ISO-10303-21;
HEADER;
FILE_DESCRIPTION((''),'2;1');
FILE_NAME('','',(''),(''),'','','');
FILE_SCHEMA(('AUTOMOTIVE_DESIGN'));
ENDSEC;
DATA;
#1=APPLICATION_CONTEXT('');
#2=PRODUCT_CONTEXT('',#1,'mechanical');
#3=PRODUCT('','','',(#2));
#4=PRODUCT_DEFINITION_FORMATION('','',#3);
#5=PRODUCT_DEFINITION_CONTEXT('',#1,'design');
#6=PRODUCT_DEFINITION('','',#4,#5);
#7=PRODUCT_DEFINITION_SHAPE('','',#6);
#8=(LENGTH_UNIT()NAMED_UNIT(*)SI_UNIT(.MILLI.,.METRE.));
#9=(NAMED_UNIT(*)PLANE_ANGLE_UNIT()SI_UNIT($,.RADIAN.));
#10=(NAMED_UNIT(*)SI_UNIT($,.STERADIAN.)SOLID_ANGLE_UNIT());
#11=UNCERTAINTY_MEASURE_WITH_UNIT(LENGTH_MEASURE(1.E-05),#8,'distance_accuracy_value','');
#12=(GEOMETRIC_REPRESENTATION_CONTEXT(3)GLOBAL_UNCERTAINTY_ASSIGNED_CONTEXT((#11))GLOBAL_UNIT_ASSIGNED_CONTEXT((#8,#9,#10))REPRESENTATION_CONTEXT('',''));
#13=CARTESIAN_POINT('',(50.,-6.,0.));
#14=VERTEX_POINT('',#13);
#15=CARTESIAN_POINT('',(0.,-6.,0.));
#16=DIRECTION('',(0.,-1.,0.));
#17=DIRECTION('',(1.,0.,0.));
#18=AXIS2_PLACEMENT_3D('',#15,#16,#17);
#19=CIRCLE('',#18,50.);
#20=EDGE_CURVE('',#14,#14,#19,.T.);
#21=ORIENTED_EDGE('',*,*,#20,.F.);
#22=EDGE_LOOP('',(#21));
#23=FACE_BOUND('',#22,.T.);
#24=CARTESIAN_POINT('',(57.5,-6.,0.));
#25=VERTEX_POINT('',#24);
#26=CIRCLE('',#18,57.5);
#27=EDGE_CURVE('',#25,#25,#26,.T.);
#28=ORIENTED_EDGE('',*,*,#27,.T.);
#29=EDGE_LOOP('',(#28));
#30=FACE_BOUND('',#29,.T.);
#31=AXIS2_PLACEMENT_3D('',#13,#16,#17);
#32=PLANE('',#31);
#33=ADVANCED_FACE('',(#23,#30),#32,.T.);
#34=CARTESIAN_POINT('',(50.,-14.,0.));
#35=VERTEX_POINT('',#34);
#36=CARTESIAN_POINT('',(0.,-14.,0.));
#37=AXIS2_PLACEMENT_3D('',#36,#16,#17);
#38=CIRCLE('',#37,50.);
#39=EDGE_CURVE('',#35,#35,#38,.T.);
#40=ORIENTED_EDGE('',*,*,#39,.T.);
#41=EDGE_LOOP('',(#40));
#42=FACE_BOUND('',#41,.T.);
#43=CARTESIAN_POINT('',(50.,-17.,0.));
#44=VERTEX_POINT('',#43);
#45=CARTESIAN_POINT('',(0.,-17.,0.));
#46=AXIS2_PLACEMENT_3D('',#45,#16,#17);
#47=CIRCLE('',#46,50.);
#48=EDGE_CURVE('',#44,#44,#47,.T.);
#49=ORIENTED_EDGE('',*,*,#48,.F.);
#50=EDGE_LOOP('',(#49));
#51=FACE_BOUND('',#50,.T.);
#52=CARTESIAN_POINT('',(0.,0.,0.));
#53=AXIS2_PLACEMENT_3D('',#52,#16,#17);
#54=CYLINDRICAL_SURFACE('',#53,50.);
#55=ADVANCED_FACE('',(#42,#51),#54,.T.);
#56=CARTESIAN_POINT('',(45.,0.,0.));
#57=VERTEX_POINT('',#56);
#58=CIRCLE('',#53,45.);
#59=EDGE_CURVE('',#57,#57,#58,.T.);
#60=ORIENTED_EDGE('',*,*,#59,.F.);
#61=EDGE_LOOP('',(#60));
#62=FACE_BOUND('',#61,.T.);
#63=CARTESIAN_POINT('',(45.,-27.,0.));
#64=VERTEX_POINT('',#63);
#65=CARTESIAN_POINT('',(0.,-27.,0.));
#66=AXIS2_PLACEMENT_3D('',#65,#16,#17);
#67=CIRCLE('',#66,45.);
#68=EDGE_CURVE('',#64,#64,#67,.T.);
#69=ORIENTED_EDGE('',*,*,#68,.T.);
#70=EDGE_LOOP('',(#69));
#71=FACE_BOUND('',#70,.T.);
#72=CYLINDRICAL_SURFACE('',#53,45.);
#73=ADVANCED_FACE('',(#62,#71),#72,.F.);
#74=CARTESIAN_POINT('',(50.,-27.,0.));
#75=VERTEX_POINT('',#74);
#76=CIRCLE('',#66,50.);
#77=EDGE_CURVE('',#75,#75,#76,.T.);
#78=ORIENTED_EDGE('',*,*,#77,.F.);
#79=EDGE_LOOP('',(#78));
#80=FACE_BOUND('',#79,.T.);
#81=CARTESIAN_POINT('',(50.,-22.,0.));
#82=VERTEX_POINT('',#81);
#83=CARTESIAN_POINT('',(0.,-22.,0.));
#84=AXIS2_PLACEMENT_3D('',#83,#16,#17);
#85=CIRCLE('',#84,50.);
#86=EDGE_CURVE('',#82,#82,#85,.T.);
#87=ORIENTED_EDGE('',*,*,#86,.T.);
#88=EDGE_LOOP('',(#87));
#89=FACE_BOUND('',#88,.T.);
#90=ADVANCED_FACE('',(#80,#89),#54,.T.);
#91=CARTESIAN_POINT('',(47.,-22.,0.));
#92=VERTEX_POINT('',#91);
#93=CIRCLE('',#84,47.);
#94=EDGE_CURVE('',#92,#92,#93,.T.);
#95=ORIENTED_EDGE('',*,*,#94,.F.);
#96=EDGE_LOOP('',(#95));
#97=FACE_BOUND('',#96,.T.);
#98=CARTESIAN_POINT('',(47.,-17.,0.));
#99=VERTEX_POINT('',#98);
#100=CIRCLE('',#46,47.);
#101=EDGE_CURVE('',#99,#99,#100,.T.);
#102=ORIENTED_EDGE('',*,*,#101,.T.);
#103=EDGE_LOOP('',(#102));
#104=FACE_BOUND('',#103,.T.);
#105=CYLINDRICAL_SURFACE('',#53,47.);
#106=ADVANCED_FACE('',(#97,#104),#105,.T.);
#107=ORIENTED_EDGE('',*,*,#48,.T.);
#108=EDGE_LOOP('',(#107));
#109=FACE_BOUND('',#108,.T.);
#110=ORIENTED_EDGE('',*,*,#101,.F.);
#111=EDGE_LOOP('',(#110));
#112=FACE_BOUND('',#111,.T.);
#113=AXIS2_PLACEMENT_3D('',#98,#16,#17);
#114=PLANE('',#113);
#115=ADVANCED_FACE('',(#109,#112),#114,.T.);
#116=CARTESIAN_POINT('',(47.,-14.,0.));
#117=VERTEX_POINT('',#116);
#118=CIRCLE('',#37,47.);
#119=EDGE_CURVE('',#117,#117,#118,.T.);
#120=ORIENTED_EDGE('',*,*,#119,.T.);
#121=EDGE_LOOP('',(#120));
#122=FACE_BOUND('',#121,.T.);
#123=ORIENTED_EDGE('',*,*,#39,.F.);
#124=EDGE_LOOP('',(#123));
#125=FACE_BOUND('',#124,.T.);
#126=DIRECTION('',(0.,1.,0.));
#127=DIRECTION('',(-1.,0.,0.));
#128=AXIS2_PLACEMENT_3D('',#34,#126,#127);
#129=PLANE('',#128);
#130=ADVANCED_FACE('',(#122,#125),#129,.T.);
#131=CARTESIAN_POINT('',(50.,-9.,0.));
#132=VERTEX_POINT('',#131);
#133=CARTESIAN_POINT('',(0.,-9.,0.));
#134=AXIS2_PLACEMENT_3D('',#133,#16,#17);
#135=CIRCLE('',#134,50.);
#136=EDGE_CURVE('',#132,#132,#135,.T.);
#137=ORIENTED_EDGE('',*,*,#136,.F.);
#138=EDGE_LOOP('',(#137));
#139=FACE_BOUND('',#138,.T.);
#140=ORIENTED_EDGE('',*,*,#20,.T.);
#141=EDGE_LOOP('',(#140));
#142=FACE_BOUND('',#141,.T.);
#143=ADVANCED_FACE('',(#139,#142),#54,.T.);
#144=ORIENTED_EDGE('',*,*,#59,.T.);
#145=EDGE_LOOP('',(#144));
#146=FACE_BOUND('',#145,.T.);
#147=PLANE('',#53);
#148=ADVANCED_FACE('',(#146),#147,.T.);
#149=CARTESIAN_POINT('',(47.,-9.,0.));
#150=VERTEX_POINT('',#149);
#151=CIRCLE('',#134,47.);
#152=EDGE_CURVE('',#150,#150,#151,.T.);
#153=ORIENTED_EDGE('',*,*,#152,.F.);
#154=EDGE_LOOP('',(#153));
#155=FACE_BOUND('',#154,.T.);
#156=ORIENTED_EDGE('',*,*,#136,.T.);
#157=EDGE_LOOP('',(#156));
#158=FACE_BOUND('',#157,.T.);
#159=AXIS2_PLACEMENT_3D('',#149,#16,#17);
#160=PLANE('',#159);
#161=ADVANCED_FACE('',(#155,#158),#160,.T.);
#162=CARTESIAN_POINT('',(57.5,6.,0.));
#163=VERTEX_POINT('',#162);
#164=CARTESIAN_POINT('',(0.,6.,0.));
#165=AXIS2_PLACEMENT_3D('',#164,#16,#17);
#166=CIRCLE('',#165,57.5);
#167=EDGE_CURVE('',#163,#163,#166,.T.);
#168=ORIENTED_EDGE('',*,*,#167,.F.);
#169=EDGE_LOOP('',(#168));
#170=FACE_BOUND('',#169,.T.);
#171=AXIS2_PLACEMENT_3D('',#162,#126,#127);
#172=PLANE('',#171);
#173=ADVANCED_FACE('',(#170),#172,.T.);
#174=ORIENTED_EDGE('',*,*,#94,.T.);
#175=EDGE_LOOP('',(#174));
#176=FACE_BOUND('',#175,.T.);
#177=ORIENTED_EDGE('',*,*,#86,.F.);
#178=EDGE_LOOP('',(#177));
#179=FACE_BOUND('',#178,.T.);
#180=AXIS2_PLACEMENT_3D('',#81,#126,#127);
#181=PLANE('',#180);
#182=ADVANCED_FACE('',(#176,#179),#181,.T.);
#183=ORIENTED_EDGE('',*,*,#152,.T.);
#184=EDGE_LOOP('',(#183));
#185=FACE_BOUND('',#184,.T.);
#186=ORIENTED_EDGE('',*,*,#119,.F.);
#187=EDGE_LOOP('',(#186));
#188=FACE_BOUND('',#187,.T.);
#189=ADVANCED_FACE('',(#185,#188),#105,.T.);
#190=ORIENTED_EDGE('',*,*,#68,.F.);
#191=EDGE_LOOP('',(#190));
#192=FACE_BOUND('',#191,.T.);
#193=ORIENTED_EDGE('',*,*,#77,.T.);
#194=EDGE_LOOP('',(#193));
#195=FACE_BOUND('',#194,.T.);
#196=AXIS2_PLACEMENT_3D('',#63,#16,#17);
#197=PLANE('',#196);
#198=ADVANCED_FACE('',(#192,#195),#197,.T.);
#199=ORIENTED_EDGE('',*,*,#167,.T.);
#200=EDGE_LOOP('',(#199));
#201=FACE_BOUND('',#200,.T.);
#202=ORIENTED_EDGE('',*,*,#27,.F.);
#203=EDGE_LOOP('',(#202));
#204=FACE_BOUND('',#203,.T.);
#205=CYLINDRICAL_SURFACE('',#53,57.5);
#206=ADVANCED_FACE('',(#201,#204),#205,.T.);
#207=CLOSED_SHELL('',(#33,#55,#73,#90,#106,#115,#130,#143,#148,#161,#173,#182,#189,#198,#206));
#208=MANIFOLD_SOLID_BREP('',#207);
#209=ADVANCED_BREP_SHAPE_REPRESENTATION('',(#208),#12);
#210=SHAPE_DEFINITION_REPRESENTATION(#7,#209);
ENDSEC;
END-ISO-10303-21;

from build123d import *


with BuildPart() as part:
    # Esquisse1 → Révolution1 (revolve)
    with BuildSketch(Plane.XY):
        Polygon((0, 0), (45, 0), (45, -27), (50, -27), (50, -22), (47, -22), (47, -17), (50, -17), (50, -14), (47, -14), (47, -9), (50, -9), (50, -6), (57.5, -6), (57.5, 6), (0, 6), align=None)
    revolve(axis=Axis((0, 0, 0), (0, 1, 0)))


solid = part.part
